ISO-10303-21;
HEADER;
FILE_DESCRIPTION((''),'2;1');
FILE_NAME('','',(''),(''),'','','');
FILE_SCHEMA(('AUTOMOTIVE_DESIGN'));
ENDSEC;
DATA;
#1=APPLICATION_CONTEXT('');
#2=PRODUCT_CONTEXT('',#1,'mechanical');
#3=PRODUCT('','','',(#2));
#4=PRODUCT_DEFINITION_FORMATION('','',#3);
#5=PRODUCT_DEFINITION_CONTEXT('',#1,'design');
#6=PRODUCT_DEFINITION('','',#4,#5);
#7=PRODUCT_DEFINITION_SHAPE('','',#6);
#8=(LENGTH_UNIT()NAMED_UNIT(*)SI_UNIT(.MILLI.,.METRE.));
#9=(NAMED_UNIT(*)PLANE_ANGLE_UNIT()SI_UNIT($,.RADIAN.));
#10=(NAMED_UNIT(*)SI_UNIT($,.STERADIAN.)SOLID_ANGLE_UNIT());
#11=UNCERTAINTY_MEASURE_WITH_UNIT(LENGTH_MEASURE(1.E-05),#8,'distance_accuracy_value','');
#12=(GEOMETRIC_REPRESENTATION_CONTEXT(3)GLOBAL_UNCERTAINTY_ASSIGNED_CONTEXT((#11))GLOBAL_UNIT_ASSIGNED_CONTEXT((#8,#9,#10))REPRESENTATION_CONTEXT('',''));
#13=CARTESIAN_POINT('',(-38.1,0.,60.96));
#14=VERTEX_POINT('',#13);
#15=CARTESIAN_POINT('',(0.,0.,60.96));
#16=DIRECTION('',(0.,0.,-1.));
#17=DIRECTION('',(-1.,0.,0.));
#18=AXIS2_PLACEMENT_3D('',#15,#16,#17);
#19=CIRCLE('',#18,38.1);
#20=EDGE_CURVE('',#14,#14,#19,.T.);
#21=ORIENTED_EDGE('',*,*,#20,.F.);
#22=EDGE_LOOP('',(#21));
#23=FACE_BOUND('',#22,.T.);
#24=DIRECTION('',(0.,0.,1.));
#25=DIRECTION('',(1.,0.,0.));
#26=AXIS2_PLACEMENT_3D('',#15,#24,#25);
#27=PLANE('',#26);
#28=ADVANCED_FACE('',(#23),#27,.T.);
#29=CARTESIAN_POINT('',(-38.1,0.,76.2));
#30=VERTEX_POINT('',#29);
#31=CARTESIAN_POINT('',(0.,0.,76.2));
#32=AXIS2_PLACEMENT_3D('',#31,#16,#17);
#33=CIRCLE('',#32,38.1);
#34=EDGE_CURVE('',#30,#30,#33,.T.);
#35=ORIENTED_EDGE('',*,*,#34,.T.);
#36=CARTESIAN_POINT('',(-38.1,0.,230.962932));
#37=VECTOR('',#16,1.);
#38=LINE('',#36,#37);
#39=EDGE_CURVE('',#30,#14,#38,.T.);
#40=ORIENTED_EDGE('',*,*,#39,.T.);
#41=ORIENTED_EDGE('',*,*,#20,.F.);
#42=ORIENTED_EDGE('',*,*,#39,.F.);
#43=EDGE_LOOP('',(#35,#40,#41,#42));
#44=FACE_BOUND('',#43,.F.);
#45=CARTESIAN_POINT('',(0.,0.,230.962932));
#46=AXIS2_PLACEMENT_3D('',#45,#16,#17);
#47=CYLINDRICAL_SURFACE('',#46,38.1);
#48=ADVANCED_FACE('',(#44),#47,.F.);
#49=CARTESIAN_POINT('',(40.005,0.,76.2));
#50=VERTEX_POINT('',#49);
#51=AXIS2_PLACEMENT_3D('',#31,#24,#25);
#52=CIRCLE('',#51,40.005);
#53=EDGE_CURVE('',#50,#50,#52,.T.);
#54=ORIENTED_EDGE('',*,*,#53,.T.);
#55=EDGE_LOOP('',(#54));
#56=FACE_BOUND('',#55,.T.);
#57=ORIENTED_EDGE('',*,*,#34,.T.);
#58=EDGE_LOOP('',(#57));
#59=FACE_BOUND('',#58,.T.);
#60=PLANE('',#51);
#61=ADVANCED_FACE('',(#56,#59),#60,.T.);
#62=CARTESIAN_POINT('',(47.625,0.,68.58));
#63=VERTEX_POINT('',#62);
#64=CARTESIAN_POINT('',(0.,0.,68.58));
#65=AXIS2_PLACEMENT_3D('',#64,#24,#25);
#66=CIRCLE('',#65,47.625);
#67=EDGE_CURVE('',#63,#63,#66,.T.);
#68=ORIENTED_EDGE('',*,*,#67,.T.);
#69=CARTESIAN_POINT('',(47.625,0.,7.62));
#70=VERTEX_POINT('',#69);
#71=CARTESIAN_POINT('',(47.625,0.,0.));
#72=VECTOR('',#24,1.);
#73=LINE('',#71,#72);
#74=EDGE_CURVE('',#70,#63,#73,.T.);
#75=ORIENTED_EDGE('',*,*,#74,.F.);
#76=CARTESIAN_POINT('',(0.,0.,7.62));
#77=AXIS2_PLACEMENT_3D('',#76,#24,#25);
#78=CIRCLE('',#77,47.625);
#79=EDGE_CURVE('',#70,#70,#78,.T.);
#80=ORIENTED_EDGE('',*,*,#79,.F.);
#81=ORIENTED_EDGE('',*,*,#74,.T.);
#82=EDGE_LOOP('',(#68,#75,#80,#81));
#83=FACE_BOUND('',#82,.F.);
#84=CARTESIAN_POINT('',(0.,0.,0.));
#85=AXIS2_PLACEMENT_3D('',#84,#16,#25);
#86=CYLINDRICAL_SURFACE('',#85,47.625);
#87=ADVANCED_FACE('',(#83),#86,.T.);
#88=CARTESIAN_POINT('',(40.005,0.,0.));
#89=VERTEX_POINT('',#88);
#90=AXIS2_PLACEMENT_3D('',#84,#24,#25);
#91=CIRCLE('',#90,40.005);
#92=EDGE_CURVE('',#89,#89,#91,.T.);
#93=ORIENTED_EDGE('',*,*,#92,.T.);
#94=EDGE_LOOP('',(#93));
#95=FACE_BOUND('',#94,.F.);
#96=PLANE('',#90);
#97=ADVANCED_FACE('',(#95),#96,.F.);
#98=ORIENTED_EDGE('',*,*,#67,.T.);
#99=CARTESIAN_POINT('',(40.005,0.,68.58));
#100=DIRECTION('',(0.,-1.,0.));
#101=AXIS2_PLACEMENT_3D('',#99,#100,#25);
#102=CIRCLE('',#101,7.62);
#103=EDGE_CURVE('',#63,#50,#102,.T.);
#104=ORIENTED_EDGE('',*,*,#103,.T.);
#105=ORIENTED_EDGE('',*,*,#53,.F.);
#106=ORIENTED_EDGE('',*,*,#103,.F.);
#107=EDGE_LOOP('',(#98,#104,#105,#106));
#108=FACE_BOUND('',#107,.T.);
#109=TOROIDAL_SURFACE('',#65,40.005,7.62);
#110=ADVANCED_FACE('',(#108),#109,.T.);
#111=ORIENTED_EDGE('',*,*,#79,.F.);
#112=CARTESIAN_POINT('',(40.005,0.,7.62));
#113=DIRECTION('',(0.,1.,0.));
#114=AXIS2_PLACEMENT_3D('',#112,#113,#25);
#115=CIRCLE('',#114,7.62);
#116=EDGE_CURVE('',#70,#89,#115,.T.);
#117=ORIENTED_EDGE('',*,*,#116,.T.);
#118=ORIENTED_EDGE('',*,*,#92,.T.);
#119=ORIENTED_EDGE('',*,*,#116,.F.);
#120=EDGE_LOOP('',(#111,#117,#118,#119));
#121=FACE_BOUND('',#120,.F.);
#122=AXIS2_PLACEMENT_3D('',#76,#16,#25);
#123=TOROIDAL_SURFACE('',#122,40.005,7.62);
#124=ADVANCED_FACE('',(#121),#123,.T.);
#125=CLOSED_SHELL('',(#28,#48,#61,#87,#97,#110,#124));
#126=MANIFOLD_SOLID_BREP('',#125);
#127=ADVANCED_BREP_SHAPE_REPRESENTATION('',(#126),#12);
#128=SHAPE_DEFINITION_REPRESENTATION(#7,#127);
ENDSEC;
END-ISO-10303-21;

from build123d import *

# Parameters (mm, degrees)
F0_R     = 47.625
F1_DEPTH = 76.2
F4_D     = 76.2
F5_R     = 7.62
F6_R     = 7.62
F7_R     = 38.1
F8_DEPTH = 60.96


with BuildPart() as f1:
    # F0 (on Top) → F1 (new body)
    with BuildSketch(Plane.XY):
        Circle(F0_R)
    extrude(amount=F1_DEPTH)

    # F4 (through all)
    with Locations(Plane.XY.offset(76.2)):
        with Locations((0, 0)):
            Hole(F4_D / 2)

    # F5
    f5_edges = [f1.edges().sort_by_distance(p)[0] for p in [
        (-47.625, 0, 76.2),
    ]]
    fillet(f5_edges, radius=F5_R)

    # F6
    f6_edges = [f1.edges().sort_by_distance(p)[0] for p in [
        (-47.625, 0, 0),
    ]]
    fillet(f6_edges, radius=F6_R)

    # F7 (on Top) → F8 (join)
    with BuildSketch(Plane.XY):
        Circle(F7_R)
    extrude(amount=F8_DEPTH)


solid = f1.part
